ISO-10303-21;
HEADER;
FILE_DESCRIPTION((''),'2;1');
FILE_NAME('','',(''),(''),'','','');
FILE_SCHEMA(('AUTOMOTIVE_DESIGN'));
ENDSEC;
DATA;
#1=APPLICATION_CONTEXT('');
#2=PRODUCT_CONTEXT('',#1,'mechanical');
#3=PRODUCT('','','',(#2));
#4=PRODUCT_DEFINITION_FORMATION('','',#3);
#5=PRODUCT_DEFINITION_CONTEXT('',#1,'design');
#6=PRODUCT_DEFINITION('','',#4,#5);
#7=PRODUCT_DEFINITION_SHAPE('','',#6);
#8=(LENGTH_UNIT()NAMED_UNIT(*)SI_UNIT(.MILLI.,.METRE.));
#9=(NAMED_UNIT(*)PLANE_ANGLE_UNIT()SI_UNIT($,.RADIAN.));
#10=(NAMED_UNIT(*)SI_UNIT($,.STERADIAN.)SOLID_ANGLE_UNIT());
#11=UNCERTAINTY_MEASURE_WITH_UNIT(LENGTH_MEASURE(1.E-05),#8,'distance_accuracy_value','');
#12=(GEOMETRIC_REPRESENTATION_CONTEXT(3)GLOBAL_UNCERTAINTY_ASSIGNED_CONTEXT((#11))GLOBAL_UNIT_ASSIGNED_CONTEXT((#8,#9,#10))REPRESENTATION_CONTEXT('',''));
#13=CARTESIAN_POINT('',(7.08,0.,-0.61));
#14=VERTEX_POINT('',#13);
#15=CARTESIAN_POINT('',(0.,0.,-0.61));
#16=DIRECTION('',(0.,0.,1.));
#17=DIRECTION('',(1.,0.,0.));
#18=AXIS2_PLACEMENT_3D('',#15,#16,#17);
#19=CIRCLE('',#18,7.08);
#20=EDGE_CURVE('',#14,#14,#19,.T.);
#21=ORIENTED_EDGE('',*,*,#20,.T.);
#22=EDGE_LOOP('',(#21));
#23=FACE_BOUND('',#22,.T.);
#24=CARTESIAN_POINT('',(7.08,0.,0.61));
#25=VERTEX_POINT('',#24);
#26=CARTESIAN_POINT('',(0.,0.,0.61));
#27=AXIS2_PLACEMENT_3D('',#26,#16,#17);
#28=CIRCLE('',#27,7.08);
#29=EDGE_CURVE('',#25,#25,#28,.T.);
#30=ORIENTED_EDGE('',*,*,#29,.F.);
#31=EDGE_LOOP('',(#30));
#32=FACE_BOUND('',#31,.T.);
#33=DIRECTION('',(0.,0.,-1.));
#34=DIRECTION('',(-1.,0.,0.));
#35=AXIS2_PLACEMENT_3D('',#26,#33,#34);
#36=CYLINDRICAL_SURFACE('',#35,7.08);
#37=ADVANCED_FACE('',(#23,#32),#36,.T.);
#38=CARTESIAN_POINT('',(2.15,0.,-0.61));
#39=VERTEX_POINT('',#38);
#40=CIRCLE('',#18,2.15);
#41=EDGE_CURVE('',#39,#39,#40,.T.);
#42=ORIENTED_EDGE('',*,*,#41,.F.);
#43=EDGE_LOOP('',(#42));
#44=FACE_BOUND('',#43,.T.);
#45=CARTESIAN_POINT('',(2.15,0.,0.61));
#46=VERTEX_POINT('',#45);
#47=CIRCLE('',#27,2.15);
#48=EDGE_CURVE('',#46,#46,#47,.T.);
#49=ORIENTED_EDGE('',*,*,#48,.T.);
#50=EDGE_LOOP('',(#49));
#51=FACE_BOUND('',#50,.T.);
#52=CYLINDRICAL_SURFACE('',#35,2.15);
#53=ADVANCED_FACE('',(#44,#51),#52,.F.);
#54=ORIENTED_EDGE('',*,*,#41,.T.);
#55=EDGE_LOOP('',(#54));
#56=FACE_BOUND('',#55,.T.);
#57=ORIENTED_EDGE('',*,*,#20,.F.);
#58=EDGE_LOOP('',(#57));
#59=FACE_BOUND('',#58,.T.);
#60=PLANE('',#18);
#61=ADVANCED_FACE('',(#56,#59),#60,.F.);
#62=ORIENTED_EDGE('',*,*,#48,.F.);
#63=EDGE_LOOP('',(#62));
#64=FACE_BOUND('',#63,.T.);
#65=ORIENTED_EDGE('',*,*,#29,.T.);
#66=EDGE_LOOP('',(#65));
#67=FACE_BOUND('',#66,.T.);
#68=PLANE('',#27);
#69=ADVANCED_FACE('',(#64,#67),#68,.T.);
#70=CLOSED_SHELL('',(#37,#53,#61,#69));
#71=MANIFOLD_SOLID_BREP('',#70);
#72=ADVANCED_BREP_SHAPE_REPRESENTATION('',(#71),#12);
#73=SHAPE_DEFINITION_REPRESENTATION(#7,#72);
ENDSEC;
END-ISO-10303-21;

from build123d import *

# Parameters (mm, degrees)
SKETCH1_R           = 7.08
SKETCH1_R_2         = 2.15
BOSS_EXTRUDE1_DEPTH = 0.61


with BuildPart() as part:
    # Sketch1 → Boss-Extrude1 (new body, symmetric)
    with BuildSketch(Plane.XY):
        Circle(SKETCH1_R)
        Circle(SKETCH1_R_2, mode=Mode.SUBTRACT)
    extrude(amount=BOSS_EXTRUDE1_DEPTH, both=True)


solid = part.part
